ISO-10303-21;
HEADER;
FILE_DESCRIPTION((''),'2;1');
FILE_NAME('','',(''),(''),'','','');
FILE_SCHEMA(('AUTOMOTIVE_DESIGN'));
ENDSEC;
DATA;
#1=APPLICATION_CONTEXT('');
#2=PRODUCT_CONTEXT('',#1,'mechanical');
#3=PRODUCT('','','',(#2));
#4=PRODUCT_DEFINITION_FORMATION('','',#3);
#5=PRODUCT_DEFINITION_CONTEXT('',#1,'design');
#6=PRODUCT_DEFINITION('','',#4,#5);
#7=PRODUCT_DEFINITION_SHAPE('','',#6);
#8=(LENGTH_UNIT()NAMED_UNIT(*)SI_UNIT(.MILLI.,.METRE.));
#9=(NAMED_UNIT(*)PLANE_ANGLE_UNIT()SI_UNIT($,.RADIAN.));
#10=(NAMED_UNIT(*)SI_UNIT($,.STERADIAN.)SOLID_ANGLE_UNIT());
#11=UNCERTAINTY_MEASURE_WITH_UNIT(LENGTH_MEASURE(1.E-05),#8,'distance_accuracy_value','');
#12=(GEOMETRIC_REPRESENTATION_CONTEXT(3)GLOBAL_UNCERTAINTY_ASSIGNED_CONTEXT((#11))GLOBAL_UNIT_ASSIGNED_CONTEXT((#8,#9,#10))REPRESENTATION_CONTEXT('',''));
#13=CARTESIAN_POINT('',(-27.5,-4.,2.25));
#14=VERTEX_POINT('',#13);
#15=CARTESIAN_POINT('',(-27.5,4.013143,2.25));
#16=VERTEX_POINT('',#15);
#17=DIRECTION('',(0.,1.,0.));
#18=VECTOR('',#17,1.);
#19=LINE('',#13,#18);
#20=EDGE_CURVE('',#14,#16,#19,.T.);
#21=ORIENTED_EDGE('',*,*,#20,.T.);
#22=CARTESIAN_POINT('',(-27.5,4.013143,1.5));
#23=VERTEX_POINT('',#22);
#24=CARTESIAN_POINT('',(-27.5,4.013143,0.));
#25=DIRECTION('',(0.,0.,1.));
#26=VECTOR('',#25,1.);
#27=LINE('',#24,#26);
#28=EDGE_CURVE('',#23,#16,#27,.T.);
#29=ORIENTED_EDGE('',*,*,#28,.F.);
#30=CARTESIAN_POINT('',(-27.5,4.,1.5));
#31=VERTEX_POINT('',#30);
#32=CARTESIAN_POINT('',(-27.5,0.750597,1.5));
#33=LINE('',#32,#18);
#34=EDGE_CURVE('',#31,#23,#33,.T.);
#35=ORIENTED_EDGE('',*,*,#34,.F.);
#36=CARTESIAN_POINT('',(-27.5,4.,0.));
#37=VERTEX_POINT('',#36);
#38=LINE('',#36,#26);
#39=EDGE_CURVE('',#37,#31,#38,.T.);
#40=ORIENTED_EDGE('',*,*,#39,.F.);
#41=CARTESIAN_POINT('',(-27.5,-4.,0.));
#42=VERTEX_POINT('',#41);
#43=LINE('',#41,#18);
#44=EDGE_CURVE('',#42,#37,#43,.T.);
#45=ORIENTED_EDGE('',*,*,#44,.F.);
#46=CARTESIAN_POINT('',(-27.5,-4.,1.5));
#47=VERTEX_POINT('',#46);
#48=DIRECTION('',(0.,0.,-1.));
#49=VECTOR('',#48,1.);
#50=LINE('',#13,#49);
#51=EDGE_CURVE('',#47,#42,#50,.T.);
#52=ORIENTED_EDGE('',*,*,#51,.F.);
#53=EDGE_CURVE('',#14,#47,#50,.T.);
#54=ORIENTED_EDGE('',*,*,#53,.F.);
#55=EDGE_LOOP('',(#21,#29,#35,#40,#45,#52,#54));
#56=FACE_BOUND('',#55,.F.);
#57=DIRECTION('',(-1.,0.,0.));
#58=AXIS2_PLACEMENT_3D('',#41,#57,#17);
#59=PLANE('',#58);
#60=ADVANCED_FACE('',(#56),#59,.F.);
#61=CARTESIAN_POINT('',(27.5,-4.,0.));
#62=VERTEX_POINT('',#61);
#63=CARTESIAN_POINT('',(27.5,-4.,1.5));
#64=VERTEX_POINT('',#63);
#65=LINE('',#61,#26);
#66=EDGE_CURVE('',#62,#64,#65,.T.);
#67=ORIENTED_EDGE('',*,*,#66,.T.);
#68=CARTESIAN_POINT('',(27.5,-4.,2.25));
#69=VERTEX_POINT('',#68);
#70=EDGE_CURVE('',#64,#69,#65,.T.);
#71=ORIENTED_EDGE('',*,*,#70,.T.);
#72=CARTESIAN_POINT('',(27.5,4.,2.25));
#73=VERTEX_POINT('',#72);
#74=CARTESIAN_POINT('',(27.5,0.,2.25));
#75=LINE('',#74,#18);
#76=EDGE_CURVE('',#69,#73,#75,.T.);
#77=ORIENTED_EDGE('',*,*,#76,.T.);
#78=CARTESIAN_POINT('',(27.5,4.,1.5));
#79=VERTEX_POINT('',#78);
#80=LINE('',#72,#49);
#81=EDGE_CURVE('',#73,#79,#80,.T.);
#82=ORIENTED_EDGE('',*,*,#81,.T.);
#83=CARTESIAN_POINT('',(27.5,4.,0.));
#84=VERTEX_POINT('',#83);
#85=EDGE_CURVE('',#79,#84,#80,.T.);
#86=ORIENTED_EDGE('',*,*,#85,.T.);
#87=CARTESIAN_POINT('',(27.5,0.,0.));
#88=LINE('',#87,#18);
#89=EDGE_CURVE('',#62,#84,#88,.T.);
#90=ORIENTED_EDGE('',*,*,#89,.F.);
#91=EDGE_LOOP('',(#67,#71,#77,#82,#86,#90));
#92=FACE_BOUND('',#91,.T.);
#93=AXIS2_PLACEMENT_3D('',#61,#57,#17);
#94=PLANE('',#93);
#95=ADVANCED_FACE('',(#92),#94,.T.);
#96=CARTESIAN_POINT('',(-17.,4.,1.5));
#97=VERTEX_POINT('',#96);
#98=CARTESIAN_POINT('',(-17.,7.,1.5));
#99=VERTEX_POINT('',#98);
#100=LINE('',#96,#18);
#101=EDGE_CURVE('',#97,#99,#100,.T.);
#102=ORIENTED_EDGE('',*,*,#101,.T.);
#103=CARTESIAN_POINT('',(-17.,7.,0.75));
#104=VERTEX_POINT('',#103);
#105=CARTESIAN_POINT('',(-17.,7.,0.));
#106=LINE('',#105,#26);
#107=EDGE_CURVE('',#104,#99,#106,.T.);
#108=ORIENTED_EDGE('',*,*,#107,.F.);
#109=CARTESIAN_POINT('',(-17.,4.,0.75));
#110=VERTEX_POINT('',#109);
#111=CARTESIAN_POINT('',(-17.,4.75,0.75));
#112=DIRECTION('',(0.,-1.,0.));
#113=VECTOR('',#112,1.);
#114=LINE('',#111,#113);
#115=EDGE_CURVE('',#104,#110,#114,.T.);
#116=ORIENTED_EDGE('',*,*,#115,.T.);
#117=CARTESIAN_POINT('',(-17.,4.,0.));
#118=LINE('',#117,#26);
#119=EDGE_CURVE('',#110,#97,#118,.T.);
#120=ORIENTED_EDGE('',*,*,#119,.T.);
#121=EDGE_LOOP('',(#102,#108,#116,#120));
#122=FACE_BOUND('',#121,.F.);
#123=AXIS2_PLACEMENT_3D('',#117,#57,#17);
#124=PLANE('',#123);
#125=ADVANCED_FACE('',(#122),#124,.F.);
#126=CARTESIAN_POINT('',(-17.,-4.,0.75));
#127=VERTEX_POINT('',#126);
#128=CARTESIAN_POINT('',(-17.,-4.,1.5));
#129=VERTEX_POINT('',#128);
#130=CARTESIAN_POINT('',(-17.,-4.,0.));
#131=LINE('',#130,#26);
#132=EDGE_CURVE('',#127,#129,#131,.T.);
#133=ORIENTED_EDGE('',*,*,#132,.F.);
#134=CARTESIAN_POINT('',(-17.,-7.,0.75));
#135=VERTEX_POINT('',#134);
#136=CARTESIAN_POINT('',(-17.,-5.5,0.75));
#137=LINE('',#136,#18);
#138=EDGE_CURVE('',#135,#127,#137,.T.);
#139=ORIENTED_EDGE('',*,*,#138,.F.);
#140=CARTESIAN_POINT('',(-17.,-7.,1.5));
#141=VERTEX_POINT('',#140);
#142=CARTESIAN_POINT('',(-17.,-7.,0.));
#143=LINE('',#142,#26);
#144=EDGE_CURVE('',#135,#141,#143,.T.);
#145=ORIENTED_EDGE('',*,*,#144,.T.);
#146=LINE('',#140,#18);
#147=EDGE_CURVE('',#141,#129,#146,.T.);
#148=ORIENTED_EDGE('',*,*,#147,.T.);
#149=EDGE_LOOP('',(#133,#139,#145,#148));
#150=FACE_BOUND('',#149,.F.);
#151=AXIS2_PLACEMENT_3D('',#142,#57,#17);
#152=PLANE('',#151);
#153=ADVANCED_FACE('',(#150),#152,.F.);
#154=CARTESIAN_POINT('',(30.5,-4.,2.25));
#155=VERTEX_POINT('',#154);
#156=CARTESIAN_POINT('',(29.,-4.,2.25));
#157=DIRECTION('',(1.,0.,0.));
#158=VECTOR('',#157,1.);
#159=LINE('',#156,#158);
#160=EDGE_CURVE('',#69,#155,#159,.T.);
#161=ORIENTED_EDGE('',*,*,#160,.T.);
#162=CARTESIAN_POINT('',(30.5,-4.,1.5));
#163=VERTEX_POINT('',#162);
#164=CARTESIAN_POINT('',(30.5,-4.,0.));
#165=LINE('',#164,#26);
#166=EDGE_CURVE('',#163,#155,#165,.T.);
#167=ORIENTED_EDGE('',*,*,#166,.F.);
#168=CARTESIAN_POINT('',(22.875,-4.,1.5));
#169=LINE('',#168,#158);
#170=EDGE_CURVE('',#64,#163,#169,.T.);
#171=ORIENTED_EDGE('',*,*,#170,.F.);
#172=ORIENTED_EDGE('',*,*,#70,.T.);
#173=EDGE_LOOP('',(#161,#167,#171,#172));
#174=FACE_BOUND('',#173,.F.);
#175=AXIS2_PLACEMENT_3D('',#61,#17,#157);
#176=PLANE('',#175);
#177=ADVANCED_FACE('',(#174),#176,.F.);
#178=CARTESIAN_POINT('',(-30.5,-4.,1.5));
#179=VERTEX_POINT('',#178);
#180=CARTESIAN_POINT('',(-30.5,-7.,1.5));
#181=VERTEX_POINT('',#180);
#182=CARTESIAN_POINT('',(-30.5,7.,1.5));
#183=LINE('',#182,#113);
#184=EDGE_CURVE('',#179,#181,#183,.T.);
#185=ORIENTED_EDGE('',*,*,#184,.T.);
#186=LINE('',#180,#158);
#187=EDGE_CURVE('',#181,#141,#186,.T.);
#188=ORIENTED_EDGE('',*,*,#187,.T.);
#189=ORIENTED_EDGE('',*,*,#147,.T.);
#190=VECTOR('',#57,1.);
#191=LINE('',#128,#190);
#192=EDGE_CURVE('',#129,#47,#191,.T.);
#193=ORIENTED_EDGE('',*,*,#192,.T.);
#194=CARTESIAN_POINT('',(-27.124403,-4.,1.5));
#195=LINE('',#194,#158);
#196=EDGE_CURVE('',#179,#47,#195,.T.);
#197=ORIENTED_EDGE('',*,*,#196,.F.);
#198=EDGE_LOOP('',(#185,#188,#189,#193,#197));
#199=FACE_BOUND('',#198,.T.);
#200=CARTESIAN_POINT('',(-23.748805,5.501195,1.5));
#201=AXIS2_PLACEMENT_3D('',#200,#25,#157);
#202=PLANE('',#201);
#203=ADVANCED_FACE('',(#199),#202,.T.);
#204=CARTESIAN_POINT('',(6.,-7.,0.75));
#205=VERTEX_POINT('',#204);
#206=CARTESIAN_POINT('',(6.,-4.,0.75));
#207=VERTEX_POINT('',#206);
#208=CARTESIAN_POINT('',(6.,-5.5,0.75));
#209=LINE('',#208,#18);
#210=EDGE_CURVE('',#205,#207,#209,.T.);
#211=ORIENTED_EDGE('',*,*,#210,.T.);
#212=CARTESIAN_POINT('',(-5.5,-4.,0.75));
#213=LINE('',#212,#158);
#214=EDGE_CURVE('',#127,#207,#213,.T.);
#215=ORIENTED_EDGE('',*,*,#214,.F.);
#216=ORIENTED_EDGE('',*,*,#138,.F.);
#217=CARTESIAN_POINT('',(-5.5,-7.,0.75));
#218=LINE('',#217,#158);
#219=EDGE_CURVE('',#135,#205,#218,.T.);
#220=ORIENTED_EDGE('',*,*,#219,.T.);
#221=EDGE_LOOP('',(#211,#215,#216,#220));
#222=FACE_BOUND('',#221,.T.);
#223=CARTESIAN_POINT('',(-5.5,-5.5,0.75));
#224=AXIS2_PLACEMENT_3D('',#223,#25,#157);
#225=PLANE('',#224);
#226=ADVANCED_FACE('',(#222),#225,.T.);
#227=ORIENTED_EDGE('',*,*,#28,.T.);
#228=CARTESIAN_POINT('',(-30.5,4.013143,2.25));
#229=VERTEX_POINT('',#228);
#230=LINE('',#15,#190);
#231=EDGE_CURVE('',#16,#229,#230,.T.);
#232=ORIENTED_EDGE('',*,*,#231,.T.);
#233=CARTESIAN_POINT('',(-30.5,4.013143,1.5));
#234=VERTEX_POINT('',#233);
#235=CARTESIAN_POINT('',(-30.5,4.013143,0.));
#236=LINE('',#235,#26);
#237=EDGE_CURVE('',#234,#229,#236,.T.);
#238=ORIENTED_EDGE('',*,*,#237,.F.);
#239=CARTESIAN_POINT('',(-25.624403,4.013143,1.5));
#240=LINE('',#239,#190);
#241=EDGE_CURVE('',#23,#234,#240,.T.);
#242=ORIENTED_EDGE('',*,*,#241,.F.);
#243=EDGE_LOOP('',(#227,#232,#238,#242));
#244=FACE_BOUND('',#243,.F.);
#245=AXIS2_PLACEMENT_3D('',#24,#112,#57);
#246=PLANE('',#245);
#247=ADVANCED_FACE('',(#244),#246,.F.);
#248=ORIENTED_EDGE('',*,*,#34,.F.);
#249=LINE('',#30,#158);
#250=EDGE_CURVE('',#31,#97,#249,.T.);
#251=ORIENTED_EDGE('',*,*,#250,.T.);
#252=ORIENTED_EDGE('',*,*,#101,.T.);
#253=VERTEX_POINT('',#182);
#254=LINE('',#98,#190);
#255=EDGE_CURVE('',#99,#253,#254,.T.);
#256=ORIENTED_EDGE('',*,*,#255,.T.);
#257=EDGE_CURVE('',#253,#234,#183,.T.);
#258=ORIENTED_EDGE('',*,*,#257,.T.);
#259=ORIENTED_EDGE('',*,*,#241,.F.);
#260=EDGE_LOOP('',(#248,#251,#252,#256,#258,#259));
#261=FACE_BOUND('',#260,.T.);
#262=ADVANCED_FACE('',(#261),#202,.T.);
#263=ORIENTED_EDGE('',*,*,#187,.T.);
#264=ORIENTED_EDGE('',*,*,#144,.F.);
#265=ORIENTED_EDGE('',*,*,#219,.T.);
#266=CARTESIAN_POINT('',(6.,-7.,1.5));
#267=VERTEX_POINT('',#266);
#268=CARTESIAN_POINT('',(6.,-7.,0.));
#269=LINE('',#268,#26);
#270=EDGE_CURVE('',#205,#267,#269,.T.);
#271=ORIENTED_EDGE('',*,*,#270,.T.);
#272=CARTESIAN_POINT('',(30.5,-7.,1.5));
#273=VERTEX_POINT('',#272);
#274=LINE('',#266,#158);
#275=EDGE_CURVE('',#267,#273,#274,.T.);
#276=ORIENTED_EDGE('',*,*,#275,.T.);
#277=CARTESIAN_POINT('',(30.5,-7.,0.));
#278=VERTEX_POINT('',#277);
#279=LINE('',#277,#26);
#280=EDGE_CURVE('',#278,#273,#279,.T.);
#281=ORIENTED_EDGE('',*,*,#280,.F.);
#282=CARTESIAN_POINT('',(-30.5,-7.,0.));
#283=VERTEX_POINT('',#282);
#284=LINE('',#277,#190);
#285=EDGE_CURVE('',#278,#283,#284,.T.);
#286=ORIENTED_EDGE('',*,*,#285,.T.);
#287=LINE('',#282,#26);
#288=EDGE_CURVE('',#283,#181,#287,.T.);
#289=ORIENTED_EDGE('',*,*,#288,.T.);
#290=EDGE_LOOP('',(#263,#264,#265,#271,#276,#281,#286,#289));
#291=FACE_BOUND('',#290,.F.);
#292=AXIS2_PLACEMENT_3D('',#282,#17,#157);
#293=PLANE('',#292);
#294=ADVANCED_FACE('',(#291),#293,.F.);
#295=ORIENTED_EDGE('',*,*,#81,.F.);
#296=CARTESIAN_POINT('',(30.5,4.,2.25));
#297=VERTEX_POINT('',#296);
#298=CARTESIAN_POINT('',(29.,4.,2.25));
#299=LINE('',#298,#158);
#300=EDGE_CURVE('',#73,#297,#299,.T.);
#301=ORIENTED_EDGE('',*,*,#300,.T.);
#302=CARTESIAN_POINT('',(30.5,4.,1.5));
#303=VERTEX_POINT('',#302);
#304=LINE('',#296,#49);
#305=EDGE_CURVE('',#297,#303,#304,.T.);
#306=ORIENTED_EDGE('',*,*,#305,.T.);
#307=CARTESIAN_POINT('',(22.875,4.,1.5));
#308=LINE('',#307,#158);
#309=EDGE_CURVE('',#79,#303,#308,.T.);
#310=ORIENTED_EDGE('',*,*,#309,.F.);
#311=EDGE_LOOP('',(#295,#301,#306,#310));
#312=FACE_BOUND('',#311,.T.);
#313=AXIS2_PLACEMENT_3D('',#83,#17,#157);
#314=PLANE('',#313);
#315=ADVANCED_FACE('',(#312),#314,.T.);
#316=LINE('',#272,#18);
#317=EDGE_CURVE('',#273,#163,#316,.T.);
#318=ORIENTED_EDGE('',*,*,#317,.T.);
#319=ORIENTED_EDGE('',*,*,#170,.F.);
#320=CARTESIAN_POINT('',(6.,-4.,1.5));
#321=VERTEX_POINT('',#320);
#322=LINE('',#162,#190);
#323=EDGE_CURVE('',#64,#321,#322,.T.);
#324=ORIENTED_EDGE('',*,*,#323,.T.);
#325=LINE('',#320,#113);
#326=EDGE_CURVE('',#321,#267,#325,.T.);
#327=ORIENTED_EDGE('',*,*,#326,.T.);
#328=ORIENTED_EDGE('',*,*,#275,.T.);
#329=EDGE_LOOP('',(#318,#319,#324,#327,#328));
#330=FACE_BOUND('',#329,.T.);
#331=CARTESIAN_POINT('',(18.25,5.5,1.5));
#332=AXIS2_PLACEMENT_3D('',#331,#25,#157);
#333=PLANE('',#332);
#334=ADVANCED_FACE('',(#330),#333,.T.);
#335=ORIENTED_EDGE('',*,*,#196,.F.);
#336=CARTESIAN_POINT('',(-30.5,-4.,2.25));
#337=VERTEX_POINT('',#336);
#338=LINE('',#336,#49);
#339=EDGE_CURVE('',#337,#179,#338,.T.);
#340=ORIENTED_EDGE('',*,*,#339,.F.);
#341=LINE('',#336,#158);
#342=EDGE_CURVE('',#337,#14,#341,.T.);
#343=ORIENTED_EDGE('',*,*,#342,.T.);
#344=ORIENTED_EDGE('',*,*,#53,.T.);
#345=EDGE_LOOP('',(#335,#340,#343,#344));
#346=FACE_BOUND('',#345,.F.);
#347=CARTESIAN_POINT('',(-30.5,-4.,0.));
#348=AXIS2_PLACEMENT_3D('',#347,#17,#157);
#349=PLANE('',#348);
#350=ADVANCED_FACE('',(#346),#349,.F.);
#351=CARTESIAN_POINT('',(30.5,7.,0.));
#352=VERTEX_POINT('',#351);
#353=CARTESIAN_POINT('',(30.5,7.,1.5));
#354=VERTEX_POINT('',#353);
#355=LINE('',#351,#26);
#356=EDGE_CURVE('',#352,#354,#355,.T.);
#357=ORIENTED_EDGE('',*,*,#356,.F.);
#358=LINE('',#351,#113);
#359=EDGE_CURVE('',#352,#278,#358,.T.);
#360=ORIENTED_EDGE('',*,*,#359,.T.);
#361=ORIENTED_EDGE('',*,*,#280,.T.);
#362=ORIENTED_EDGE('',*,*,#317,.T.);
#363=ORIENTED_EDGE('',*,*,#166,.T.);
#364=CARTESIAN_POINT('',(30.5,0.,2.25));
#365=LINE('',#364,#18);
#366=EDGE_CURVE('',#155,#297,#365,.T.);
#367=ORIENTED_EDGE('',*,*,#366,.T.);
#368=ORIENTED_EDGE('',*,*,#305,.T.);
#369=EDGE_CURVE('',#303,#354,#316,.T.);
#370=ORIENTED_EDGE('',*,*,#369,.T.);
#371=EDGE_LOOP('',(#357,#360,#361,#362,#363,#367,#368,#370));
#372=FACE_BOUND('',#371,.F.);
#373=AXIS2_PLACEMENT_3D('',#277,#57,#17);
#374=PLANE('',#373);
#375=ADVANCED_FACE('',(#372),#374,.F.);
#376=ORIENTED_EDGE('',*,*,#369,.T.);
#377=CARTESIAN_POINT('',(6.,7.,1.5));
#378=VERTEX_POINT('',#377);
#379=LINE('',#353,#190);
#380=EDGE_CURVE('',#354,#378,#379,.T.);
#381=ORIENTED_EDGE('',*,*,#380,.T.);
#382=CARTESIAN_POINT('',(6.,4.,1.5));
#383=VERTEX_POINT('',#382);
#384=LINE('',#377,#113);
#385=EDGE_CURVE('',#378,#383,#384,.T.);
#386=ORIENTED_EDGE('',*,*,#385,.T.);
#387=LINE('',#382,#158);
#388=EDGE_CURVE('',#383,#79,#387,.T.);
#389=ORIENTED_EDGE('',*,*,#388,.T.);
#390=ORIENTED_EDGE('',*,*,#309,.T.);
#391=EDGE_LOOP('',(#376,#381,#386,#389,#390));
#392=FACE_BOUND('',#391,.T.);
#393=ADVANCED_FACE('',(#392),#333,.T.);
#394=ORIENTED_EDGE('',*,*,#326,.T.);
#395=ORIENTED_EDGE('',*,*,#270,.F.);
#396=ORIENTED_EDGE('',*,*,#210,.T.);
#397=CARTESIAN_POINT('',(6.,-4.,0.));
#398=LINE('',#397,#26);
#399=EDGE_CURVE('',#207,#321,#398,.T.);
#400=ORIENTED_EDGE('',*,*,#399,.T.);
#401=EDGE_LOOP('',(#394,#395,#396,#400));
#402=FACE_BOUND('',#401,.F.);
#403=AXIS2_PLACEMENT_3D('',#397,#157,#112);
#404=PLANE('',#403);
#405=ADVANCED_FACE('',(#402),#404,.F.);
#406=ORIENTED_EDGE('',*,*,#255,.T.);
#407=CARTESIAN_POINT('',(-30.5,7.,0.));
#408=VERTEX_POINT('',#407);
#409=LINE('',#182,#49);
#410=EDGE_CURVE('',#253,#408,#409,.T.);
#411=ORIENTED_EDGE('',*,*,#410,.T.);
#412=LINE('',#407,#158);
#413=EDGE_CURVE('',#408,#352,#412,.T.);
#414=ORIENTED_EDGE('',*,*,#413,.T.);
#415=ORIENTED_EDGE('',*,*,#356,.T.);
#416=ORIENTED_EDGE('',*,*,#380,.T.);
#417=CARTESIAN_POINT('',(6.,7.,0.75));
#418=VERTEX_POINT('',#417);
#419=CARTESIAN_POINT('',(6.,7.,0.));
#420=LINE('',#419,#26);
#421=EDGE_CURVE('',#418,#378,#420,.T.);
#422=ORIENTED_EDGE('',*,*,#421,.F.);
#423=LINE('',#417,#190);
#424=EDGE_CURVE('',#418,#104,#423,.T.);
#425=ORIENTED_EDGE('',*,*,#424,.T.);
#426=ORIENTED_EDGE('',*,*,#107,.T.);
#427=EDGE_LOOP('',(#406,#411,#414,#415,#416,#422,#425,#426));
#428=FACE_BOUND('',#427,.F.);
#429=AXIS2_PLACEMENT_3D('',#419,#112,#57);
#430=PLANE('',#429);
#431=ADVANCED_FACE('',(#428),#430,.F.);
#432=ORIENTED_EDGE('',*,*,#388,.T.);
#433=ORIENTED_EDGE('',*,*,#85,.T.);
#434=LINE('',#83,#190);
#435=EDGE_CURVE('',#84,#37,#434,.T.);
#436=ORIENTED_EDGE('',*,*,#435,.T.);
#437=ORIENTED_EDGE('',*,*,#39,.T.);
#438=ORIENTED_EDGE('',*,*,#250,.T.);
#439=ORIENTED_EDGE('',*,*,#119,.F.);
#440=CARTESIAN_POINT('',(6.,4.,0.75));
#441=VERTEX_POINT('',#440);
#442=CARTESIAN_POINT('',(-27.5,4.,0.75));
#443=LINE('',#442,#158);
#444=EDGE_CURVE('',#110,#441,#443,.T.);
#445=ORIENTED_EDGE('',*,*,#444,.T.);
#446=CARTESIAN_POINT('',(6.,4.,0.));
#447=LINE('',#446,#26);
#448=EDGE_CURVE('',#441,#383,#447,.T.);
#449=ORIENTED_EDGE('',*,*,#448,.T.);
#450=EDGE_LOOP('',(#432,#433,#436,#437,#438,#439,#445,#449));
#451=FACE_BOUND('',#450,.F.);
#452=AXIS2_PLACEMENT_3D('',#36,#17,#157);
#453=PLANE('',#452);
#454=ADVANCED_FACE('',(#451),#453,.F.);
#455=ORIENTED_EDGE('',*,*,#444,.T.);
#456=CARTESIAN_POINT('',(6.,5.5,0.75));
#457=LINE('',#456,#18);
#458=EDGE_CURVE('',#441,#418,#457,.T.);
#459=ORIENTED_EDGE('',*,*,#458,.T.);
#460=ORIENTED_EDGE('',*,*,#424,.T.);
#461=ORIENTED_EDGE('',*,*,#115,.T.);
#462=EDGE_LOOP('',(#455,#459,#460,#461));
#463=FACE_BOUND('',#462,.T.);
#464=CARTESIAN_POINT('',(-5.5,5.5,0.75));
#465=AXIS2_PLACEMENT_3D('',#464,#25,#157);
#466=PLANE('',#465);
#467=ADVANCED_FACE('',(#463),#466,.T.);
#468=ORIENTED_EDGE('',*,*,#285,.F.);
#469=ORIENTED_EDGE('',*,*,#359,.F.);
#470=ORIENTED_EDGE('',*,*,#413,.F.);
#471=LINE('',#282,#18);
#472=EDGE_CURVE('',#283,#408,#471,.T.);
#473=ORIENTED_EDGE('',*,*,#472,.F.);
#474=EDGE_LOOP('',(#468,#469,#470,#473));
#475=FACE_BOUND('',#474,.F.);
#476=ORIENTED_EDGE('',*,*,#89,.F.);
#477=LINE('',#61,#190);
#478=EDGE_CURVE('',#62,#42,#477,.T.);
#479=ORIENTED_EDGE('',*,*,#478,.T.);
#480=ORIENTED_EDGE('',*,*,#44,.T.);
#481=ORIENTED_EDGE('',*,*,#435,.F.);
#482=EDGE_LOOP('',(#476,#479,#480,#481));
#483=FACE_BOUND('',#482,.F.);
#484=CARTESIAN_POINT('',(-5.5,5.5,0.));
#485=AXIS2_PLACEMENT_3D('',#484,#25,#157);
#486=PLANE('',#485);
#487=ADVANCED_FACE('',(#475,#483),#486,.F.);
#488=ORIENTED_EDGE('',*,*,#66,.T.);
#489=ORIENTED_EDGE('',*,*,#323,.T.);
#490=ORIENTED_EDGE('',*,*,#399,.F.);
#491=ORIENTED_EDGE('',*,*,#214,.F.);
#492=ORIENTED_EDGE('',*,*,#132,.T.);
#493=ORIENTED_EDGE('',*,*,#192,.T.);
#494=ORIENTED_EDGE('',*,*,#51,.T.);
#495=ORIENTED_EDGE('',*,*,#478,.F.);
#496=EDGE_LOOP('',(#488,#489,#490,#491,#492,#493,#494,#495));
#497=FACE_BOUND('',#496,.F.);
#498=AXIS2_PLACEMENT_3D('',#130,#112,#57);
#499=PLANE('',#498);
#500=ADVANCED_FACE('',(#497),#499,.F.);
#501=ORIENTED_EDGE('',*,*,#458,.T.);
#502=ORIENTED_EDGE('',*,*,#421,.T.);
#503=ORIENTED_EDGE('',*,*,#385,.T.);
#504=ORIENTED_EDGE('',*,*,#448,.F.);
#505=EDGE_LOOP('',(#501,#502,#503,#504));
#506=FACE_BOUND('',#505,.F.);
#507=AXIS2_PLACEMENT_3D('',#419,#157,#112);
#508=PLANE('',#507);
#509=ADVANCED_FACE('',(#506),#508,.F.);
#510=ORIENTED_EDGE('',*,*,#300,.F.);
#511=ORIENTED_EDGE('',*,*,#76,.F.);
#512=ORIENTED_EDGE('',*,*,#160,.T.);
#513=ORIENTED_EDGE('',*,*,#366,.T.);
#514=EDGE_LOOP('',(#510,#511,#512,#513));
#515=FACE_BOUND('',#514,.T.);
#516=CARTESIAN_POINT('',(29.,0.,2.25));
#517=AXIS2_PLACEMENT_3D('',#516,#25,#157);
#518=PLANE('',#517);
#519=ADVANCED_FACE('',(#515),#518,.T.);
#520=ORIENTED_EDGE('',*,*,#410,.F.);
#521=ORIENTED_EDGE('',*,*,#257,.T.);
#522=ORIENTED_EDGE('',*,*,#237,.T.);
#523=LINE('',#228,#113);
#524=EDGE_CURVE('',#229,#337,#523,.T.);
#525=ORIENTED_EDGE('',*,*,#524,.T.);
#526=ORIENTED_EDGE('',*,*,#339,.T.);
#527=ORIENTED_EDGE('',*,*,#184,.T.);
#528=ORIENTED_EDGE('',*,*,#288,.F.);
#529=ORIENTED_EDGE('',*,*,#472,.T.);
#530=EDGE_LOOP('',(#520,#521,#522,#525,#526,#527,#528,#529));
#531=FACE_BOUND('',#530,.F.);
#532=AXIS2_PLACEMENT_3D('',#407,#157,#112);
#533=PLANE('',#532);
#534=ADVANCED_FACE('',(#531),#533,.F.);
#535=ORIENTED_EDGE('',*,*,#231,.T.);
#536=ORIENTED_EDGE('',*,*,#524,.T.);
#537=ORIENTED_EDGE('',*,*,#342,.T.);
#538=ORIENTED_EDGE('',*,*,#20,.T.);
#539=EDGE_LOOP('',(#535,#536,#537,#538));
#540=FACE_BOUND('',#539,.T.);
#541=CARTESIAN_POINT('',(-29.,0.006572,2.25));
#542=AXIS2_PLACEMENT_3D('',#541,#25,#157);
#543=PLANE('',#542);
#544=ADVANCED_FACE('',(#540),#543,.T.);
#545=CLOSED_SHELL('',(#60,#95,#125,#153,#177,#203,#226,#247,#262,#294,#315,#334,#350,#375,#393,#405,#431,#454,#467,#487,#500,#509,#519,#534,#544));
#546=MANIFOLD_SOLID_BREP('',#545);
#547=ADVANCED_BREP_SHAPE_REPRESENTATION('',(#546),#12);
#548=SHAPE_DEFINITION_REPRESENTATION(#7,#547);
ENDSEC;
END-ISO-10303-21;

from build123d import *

# Parameters (mm, degrees)
F0_W     = 3
F0_H     = 8
F0_W_2   = 23
F0_H_2   = 3
F1_DEPTH = 0.75
F2_DEPTH = 2.25
F3_DEPTH = 1.5


with BuildPart() as f1:
    # F0 (on Top) → F1 (new body)
    with BuildSketch(Plane.XY):
        with Locations((29, 0)):
            Rectangle(F0_W, F0_H)
        with Locations((-5.5, 5.5)):
            Rectangle(F0_W_2, F0_H_2)
        Polygon((-30.5, 4.013143), (-30.5, -4), (-27.5, -4), (-27.5, 4), (-27.5, 4.013143), align=None)
        with Locations((-5.5, -5.5)):
            Rectangle(F0_W_2, F0_H_2)
        Polygon((-30.5, 7), (-30.5, 4.013143), (-27.5, 4.013143), (-27.5, 4), (-17, 4), (-17, 7), align=None)
    extrude(amount=F1_DEPTH)

    # F0 (on Top) → F2 (join)
    with BuildSketch(Plane.XY):
        Polygon((-30.5, 4.013143), (-30.5, -4), (-27.5, -4), (-27.5, 4), (-27.5, 4.013143), align=None)
        with Locations((29, 0)):
            Rectangle(F0_W, F0_H)
    extrude(amount=F2_DEPTH)

    # F0 (on Top) → F3 (join)
    with BuildSketch(Plane.XY):
        Polygon((-30.5, 7), (-30.5, 4.013143), (-27.5, 4.013143), (-27.5, 4), (-17, 4), (-17, 7), align=None)
        Polygon((27.5, 4), (30.5, 4), (30.5, 7), (6, 7), (6, 4), align=None)
        Polygon((6, -7), (30.5, -7), (30.5, -4), (27.5, -4), (6, -4), align=None)
        Polygon((-30.5, -7), (-17, -7), (-17, -4), (-27.5, -4), (-30.5, -4), align=None)
        Polygon((-30.5, 4.013143), (-30.5, -4), (-27.5, -4), (-27.5, 4), (-27.5, 4.013143), align=None)
        with Locations((29, 0)):
            Rectangle(F0_W, F0_H)
    extrude(amount=F3_DEPTH)


solid = f1.part
